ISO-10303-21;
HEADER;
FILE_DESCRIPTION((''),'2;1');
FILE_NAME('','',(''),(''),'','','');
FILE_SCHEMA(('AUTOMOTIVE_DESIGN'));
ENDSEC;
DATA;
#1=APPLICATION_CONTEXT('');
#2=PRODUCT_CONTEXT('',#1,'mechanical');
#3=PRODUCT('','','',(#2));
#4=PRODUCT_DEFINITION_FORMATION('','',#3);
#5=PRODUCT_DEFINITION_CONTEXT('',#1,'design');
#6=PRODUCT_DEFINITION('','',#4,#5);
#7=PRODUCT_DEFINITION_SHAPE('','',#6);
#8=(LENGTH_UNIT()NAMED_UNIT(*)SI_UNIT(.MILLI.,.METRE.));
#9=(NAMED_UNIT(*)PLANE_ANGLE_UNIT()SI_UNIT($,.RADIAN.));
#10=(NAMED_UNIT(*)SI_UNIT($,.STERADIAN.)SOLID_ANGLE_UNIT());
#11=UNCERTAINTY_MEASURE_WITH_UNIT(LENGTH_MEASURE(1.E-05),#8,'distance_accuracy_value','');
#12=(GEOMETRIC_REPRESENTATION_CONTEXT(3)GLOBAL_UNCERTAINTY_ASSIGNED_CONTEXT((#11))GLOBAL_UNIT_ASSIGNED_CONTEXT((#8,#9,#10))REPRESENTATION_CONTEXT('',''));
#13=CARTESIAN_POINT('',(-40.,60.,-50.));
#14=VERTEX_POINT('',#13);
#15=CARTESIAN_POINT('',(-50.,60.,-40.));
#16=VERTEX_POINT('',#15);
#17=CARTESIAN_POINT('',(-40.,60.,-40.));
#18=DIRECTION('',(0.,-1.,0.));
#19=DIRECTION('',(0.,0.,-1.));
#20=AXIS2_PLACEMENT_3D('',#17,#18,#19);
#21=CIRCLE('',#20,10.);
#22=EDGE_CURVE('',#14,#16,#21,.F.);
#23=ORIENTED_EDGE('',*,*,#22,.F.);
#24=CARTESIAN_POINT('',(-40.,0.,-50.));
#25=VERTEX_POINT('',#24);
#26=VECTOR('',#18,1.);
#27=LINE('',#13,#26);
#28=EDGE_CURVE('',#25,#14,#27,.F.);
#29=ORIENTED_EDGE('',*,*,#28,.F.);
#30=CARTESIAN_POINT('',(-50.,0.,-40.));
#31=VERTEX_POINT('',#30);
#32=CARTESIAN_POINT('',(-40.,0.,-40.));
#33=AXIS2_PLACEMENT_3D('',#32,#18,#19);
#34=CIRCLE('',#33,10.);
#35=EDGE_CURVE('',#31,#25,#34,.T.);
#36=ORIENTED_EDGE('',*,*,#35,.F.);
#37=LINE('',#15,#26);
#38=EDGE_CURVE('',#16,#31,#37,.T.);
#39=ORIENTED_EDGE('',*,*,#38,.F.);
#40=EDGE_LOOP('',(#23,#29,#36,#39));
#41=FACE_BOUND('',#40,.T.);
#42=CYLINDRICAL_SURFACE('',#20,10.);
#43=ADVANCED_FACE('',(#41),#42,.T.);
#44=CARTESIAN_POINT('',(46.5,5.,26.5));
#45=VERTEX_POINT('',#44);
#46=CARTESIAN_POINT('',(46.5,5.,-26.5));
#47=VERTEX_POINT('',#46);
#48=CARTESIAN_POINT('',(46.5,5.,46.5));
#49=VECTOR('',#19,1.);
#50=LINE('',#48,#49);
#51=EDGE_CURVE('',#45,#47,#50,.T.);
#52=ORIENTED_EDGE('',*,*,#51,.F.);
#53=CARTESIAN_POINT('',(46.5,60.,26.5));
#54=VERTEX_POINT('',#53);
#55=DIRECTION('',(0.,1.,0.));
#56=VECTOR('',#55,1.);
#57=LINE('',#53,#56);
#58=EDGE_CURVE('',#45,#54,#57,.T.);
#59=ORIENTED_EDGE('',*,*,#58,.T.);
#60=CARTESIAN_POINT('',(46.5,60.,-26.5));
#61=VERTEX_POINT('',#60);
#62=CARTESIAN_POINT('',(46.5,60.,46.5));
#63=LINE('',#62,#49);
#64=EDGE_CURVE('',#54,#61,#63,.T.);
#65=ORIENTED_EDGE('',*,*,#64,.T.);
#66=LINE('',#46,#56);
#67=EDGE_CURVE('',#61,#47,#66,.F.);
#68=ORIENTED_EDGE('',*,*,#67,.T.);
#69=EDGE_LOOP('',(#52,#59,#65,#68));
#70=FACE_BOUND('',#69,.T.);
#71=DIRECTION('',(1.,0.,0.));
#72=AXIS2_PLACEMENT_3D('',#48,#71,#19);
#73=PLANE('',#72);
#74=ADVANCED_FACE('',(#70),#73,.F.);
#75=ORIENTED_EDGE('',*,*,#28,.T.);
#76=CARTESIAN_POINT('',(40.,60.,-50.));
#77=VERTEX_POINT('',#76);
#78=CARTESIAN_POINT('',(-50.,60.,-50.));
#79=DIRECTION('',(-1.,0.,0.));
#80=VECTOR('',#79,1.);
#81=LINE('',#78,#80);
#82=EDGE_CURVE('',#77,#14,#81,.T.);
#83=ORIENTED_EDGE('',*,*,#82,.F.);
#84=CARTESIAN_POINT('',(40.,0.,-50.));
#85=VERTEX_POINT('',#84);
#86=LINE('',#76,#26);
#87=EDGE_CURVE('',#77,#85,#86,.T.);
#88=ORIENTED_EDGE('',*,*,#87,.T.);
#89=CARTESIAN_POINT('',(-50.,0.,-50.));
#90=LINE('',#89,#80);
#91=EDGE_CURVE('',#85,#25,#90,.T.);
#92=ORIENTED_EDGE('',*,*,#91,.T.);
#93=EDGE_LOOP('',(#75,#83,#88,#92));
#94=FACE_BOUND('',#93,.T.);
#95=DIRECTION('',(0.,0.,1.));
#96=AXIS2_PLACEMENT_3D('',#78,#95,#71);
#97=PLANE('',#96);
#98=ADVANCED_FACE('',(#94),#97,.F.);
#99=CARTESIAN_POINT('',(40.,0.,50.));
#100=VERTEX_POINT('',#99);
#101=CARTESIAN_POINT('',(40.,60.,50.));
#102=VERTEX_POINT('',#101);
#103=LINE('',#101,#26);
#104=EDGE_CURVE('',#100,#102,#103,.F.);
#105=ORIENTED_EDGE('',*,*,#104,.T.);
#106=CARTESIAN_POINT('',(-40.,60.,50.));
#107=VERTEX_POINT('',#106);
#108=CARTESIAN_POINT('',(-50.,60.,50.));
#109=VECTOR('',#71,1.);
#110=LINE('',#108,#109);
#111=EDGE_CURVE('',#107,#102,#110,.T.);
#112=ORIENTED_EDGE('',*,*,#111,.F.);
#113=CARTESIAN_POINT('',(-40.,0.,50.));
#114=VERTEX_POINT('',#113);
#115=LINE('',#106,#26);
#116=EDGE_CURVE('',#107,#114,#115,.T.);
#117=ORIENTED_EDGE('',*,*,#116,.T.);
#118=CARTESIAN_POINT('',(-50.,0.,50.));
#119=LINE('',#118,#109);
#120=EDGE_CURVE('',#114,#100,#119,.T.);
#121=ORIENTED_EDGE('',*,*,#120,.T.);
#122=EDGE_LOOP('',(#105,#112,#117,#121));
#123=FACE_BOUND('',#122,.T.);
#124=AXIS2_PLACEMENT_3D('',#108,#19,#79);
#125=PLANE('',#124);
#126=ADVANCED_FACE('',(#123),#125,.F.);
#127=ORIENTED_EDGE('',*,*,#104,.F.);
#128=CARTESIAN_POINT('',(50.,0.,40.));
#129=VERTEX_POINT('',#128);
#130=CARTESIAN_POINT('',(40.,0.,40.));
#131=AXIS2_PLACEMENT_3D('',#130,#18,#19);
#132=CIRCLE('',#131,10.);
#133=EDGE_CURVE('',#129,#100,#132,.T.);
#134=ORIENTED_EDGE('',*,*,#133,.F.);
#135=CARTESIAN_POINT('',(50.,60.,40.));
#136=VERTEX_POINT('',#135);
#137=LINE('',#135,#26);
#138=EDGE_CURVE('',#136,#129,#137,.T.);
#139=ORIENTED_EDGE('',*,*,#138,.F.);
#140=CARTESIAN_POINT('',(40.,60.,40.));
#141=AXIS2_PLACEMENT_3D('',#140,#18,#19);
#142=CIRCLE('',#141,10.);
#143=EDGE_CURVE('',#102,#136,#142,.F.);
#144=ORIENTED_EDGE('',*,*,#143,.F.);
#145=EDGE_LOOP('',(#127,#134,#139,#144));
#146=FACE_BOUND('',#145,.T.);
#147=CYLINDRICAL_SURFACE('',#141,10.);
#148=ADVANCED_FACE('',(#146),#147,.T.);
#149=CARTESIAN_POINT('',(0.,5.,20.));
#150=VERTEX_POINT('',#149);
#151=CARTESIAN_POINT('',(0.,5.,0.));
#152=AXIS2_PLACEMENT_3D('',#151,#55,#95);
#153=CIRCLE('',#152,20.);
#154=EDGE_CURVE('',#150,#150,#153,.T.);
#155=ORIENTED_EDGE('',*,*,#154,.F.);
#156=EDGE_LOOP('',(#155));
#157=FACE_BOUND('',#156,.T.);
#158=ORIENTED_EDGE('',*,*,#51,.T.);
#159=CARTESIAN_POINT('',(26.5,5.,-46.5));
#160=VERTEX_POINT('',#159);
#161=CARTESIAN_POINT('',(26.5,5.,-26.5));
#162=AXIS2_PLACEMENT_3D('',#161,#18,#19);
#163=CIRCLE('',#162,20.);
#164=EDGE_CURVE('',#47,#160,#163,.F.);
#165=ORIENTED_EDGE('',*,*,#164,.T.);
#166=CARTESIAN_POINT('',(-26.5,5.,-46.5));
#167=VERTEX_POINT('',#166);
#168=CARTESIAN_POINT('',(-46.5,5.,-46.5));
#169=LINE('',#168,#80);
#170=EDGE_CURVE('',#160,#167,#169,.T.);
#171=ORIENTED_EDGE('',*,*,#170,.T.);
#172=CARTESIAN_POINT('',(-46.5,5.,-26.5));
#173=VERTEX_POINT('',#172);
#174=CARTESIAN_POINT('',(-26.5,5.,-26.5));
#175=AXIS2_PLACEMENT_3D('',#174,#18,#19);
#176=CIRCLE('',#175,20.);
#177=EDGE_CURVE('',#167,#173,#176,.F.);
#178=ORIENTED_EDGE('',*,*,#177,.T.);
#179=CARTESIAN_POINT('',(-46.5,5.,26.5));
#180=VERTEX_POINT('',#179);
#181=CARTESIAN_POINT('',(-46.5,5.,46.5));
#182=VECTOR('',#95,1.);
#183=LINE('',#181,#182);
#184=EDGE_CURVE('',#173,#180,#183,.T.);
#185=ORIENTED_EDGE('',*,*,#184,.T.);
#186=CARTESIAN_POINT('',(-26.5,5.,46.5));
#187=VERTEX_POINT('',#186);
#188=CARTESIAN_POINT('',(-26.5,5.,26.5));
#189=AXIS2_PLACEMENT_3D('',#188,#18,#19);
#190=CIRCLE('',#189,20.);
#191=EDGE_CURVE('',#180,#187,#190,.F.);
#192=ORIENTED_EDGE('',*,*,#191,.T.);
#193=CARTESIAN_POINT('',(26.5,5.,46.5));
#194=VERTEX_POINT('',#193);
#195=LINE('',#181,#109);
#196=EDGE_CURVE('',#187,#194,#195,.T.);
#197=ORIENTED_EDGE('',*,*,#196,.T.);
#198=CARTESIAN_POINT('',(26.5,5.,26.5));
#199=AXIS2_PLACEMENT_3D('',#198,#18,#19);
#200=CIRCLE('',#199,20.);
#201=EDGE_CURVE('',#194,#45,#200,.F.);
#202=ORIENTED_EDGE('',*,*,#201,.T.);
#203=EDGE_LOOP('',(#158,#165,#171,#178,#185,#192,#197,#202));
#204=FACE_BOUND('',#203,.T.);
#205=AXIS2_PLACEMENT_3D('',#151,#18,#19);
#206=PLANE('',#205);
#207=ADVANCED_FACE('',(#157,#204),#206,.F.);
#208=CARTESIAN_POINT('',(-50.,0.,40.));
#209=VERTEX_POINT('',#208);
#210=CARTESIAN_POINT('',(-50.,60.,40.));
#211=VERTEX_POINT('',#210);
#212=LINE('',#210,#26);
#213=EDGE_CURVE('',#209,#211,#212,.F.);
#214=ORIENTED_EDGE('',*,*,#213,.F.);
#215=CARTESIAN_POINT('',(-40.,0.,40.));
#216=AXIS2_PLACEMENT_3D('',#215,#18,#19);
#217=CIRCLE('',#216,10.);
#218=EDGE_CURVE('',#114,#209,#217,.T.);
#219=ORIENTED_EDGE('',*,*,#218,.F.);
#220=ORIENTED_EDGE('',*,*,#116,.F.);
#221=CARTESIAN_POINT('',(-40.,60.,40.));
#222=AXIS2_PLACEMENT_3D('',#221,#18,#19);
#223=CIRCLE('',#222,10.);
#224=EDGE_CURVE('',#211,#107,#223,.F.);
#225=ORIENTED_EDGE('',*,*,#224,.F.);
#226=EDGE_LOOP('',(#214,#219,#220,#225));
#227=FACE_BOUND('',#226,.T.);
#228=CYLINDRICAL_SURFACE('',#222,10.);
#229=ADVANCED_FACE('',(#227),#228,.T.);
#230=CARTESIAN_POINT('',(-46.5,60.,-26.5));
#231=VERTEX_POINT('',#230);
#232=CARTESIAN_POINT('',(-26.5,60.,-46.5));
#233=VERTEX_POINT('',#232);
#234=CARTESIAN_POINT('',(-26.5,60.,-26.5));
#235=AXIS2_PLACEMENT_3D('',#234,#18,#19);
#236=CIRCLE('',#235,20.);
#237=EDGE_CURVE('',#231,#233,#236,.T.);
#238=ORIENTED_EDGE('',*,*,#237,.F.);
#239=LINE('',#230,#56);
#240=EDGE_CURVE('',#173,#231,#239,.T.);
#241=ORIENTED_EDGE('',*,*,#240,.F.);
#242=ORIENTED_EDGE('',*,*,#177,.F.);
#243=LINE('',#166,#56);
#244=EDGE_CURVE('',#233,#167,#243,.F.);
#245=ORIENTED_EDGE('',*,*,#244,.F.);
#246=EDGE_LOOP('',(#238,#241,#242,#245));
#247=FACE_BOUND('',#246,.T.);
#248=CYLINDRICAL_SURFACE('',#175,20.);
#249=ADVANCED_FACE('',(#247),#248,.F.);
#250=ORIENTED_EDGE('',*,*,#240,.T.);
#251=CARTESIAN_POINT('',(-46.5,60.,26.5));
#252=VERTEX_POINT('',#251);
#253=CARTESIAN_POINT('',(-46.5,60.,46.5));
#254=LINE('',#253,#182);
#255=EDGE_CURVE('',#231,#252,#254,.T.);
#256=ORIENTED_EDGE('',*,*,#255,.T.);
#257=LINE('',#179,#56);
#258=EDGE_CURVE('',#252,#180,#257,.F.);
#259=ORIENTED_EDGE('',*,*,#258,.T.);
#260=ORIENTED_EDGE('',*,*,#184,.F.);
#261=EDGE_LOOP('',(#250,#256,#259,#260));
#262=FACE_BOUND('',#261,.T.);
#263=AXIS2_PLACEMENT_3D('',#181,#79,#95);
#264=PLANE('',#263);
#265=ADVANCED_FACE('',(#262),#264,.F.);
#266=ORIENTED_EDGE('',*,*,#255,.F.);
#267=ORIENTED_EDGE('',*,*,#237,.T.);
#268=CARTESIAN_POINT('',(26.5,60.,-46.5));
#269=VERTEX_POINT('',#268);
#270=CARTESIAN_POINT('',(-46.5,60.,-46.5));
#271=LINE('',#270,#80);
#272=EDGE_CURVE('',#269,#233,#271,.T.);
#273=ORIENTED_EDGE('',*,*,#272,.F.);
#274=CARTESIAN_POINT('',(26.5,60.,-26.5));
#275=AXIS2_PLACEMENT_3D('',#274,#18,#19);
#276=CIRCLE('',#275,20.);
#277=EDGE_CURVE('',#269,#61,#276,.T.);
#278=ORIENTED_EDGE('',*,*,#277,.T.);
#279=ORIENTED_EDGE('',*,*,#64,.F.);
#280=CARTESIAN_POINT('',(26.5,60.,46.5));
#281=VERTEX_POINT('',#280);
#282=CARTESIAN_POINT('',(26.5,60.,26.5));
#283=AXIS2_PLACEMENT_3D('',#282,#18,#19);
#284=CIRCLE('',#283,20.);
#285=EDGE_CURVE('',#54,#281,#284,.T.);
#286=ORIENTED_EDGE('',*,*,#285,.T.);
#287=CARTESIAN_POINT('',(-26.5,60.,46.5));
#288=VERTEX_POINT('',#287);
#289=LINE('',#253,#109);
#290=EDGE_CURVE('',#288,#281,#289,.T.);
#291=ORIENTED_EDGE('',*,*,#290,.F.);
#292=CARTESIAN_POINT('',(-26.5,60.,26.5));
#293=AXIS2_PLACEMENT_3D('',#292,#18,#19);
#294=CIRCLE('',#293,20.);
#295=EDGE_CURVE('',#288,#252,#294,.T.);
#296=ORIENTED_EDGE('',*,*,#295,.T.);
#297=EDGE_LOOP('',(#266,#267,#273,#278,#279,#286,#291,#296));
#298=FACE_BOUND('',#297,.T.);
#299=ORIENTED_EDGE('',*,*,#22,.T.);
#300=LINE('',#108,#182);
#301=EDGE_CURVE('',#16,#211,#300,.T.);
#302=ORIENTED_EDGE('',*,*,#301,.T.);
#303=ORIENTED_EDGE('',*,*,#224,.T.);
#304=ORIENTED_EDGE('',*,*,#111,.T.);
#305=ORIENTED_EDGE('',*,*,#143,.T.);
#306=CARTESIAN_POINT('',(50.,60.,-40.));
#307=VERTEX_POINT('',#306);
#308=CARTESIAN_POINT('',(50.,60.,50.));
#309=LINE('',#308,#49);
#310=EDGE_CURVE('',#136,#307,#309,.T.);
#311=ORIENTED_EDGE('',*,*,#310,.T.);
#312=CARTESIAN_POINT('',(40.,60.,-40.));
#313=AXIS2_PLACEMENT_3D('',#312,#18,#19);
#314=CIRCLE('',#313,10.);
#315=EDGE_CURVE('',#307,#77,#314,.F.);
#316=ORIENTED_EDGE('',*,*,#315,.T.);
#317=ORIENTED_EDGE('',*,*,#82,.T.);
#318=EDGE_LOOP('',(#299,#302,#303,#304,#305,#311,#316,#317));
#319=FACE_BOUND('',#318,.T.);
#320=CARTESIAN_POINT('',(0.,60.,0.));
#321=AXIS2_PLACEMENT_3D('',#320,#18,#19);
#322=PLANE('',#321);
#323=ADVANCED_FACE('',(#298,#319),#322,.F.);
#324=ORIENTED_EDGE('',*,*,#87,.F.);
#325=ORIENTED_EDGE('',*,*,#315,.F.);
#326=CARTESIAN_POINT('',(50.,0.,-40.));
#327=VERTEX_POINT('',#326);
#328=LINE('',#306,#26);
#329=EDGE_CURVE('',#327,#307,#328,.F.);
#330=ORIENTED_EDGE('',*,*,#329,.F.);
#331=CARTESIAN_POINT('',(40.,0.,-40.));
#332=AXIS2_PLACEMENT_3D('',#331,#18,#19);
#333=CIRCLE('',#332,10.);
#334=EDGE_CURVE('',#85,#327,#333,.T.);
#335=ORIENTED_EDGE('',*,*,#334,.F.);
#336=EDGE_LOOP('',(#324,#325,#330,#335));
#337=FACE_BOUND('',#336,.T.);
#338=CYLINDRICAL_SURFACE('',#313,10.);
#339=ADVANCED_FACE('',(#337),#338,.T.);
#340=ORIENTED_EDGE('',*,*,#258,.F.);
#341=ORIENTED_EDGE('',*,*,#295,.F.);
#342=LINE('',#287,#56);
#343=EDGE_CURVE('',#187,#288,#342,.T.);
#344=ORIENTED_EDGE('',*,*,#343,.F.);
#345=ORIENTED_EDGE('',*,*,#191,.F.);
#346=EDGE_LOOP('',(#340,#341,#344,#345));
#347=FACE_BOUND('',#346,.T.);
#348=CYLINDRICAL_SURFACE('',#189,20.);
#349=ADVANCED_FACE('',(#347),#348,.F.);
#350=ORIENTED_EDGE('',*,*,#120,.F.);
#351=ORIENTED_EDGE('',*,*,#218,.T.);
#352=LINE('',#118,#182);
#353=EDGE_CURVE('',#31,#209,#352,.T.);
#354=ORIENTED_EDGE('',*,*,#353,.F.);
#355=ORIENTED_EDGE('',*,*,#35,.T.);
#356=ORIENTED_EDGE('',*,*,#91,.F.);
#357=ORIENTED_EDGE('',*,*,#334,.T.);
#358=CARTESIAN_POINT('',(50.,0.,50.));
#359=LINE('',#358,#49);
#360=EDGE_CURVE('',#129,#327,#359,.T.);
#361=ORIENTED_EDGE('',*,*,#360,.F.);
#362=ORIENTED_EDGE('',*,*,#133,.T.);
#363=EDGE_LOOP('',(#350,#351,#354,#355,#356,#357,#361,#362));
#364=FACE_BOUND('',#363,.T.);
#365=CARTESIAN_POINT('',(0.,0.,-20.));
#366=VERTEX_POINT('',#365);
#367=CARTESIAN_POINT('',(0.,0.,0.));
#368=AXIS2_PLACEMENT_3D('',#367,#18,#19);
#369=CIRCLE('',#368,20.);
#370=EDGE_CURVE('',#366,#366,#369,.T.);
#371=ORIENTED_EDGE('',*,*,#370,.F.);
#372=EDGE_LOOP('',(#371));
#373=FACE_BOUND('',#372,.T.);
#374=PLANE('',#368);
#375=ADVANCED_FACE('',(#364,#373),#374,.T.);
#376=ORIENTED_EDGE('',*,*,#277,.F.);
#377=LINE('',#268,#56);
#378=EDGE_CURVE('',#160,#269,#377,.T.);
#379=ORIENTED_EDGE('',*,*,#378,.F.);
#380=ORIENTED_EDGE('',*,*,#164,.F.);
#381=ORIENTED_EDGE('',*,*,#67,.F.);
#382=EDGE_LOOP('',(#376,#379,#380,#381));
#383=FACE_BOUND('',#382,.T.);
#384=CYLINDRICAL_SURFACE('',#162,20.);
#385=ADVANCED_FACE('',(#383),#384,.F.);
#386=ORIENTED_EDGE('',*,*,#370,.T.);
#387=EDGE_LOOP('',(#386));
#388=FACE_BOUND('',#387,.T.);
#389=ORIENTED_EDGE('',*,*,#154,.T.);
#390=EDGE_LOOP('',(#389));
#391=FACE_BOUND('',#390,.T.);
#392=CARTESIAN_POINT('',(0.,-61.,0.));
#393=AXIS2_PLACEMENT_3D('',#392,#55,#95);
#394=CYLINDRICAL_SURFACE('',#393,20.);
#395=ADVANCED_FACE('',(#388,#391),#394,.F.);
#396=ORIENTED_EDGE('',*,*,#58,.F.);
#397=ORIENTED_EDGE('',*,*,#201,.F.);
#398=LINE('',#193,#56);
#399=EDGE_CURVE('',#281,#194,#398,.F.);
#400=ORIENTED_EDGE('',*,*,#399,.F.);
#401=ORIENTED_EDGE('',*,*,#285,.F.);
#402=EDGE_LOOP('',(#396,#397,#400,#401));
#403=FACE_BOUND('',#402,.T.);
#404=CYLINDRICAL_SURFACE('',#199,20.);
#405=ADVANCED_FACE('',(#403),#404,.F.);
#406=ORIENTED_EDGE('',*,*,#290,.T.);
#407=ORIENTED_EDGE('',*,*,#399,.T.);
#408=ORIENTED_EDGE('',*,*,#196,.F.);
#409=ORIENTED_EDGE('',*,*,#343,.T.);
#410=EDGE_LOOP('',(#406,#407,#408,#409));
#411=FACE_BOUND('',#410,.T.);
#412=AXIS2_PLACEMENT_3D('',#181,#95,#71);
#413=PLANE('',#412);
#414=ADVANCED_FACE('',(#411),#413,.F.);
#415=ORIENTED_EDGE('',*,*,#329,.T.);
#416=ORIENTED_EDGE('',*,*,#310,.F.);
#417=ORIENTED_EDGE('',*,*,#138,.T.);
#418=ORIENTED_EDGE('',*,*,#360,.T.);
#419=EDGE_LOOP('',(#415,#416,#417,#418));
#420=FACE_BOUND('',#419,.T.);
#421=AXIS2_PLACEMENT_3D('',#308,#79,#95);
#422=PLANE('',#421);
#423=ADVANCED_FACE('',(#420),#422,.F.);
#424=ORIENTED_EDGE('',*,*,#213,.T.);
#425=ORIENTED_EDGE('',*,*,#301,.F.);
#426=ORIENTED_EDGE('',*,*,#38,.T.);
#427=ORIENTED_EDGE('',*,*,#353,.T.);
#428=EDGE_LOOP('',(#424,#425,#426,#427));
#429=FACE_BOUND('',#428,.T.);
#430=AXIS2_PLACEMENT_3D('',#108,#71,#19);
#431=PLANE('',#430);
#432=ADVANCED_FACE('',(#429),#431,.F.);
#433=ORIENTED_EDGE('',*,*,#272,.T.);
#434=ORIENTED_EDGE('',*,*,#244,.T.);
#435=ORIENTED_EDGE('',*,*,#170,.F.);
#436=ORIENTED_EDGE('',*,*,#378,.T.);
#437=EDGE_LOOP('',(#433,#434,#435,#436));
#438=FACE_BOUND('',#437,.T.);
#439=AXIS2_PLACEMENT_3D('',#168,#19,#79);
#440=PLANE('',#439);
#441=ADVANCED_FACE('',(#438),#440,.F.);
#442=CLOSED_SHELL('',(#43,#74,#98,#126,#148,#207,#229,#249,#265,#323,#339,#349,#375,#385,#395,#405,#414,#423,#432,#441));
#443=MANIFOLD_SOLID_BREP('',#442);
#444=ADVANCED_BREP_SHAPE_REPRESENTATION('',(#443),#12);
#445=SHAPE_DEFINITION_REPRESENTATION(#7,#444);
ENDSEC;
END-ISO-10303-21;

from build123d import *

# Parameters (mm, degrees)
SKETCH1_W           = 100
SKETCH1_H           = 100
BOSS_EXTRUDE1_DEPTH = 60
SKETCH2_W           = 93
SKETCH2_H           = 93
CUT_EXTRUDE1_DEPTH  = 55
SKETCH3_R           = 20
CUT_EXTRUDE2_DEPTH  = 66
FILLET1_R           = 20
FILLET2_R           = 10


with BuildPart() as part:
    # Sketch1 → Boss-Extrude1 (new body)
    with BuildSketch(Plane(origin=(0, 0, 0), x_dir=(1, 0, 0), z_dir=(0, 1, 0))):
        Rectangle(SKETCH1_W, SKETCH1_H)
    extrude(amount=BOSS_EXTRUDE1_DEPTH)

    # Sketch2 → Cut-Extrude1 (cut)
    with BuildSketch(Plane(origin=(0, 60, 0), x_dir=(1, 0, 0), z_dir=(0, 1, 0))):
        Rectangle(SKETCH2_W, SKETCH2_H)
    extrude(amount=-CUT_EXTRUDE1_DEPTH, mode=Mode.SUBTRACT)

    # Sketch3 → Cut-Extrude2 (cut)
    with BuildSketch(Plane(origin=(0, 5, 0), x_dir=(1, 0, 0), z_dir=(0, 1, 0))):
        with Locations(Location((0, 0, 0), (0, 0, 270))):
            Circle(SKETCH3_R)
    extrude(amount=-CUT_EXTRUDE2_DEPTH, mode=Mode.SUBTRACT)

    # Fillet1
    fillet1_edges = [part.edges().sort_by_distance(p)[0] for p in [
        (46.5, 32.5, -46.5),
        (46.5, 32.5, 46.5),
        (-46.5, 32.5, 46.5),
        (-46.5, 32.5, -46.5),
    ]]
    fillet(fillet1_edges, radius=FILLET1_R)

    # Fillet2
    fillet2_edges = [part.edges().sort_by_distance(p)[0] for p in [
        (50, 30, 50),
        (-50, 30, 50),
        (-50, 30, -50),
        (50, 30, -50),
    ]]
    fillet(fillet2_edges, radius=FILLET2_R)


solid = part.part
